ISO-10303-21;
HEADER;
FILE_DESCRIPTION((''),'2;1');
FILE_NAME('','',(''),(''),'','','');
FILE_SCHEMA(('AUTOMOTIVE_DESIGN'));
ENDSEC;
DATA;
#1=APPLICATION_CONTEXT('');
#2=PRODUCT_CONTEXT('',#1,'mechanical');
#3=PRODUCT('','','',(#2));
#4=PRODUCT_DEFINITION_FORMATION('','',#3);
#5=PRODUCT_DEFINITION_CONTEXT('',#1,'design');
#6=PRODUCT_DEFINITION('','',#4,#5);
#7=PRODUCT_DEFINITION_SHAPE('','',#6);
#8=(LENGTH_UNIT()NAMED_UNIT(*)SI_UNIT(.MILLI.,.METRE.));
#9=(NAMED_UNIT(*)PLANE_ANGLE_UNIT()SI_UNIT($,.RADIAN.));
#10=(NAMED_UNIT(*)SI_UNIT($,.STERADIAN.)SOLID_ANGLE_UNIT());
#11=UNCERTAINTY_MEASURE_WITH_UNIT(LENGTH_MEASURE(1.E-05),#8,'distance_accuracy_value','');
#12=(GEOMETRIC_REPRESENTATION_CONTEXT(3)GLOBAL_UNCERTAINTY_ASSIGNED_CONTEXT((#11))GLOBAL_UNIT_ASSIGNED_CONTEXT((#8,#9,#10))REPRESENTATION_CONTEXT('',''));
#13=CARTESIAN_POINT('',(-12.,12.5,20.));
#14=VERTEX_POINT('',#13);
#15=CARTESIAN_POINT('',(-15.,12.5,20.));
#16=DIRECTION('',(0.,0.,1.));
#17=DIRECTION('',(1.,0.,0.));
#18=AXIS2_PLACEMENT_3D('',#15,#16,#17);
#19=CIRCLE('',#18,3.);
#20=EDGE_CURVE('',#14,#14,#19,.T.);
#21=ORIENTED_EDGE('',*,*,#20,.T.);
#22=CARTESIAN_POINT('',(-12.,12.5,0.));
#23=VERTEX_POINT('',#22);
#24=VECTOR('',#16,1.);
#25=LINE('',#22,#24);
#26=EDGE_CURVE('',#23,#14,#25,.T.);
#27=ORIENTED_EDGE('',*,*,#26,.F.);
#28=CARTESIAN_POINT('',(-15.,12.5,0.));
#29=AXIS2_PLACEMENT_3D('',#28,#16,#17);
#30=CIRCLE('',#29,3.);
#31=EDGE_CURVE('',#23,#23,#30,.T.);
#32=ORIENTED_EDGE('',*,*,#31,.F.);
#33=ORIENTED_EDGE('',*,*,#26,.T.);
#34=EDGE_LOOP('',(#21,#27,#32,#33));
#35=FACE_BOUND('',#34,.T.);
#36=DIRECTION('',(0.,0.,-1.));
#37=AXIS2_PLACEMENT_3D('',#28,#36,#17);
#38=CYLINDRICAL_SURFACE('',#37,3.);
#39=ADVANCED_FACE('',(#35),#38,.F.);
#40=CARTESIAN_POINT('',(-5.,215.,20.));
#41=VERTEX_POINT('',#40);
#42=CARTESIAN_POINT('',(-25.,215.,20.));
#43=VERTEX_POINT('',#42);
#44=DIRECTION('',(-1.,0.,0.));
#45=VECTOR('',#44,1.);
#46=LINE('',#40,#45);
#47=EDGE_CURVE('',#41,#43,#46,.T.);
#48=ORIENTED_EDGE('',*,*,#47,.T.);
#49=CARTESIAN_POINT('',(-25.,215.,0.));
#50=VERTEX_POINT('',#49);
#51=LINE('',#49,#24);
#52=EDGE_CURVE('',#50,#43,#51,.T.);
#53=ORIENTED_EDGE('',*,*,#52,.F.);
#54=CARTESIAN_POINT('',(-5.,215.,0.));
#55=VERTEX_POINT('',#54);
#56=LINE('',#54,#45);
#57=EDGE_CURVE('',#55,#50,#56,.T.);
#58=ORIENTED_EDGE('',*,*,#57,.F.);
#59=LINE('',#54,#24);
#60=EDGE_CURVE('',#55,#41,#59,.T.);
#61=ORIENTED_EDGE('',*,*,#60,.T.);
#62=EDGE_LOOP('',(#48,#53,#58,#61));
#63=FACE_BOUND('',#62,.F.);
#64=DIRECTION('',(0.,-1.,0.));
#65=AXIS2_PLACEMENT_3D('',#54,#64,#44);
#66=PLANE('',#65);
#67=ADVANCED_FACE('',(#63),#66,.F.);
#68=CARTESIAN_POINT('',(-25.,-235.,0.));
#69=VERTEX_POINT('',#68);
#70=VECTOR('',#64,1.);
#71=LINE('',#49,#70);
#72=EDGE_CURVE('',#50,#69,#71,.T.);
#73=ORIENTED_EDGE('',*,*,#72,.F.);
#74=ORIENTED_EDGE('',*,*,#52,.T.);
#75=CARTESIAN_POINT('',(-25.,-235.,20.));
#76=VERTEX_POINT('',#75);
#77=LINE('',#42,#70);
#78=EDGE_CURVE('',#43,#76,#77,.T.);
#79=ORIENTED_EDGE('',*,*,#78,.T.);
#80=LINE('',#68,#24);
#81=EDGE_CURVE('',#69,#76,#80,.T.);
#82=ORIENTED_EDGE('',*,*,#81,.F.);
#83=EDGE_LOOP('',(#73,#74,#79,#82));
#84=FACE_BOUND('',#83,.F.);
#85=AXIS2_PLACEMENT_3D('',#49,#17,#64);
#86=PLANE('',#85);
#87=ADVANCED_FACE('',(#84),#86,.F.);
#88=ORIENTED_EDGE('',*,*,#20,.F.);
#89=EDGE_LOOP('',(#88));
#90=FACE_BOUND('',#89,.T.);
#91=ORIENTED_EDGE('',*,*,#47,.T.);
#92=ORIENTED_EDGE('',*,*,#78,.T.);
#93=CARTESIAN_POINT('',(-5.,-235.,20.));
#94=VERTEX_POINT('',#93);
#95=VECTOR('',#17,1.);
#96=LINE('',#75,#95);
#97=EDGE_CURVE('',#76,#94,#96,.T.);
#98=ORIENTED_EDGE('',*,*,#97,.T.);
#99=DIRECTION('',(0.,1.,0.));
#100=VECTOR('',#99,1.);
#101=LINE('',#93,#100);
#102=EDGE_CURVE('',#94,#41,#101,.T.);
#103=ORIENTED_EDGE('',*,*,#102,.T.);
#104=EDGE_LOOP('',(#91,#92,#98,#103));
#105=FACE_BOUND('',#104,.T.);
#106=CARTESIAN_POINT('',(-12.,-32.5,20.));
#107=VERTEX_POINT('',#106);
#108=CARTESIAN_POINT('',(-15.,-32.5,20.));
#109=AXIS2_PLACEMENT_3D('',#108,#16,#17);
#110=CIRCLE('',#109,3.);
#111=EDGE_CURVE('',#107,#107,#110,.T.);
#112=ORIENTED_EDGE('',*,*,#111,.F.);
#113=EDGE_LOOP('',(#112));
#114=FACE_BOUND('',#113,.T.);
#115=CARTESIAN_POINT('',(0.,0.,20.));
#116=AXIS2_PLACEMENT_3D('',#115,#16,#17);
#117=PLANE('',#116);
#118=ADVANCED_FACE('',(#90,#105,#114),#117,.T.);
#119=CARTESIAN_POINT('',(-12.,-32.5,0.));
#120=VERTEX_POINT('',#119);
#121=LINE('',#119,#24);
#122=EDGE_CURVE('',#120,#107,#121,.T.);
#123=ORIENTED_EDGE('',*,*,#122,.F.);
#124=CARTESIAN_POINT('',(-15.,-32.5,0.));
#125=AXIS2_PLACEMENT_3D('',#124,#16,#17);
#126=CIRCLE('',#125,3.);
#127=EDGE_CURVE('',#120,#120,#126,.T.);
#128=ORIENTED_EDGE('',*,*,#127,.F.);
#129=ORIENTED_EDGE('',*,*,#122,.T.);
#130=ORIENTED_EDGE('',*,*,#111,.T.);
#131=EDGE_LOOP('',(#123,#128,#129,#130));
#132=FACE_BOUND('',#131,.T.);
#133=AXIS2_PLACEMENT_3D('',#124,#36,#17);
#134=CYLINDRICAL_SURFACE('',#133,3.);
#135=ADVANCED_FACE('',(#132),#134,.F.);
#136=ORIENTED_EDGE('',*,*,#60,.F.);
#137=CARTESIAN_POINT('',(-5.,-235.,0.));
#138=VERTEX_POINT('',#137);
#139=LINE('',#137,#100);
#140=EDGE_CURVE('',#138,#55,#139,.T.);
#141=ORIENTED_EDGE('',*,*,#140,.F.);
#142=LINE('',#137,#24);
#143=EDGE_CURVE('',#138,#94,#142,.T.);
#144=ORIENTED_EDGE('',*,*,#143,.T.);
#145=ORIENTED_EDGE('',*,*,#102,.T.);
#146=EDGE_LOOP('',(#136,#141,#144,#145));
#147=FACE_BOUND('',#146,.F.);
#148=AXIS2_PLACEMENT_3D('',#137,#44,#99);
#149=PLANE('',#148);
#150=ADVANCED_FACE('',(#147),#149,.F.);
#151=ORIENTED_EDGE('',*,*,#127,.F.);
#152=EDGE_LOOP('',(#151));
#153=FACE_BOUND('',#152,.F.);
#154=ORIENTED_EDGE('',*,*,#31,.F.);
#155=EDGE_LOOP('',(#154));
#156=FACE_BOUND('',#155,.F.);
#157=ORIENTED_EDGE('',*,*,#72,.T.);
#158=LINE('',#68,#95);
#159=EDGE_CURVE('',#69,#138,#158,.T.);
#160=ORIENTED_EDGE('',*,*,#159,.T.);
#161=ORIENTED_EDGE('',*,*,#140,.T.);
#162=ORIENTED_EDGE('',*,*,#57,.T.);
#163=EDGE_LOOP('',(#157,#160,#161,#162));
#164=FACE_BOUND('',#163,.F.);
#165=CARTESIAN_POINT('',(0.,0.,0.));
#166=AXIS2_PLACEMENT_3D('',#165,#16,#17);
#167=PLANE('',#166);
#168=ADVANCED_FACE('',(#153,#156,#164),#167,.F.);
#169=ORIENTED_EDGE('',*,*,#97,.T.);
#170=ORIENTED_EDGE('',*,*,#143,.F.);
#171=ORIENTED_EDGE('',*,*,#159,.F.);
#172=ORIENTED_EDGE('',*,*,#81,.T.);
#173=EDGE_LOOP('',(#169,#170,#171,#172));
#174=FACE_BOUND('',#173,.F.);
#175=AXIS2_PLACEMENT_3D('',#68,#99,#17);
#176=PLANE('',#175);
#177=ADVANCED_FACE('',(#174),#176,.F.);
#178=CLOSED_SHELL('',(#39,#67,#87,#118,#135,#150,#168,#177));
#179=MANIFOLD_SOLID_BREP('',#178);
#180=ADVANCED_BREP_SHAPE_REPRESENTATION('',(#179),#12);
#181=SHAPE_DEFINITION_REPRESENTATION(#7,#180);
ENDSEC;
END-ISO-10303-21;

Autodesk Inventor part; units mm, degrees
ref_plane "YZ Plane" through (0, 0, 0) normal (1, 0, 0) x (0, 1, 0)
ref_plane "XZ Plane" through (0, 0, 0) normal (0, 1, 0) x (-1, 0, 0)
ref_plane "XY Plane" through (0, 0, 0) normal (0, 0, 1) x (1, 0, 0)
sketch "草圖1" plane through (0, 0, 0) normal (0, 0, 1) x (1, 0, 0)
  line L0 (-5, 215) -> (-25, 215)
  line L1 (-25, 215) -> (-25, -235)
  line L2 (-25, -235) -> (-5, -235)
  line L3 (-5, -235) -> (-5, 215)
  line L4 (-5, 215) -> (-25, -235) construction
  line L5 (-25, 215) -> (-5, -235) construction
  circle A0 centre (-15, 12.5) radius 3
  circle A1 centre (-15, -32.5) radius 3
  point P0 (0, 0)
  point P1 (-15, -10)
  dimension "d2" = 20
  dimension "d3" = 450
  dimension "d5" = 6
  dimension "d6" = 6
extrude "擠出1" add sketch "草圖1" along normal blind 20
properties part number "DOF3"
